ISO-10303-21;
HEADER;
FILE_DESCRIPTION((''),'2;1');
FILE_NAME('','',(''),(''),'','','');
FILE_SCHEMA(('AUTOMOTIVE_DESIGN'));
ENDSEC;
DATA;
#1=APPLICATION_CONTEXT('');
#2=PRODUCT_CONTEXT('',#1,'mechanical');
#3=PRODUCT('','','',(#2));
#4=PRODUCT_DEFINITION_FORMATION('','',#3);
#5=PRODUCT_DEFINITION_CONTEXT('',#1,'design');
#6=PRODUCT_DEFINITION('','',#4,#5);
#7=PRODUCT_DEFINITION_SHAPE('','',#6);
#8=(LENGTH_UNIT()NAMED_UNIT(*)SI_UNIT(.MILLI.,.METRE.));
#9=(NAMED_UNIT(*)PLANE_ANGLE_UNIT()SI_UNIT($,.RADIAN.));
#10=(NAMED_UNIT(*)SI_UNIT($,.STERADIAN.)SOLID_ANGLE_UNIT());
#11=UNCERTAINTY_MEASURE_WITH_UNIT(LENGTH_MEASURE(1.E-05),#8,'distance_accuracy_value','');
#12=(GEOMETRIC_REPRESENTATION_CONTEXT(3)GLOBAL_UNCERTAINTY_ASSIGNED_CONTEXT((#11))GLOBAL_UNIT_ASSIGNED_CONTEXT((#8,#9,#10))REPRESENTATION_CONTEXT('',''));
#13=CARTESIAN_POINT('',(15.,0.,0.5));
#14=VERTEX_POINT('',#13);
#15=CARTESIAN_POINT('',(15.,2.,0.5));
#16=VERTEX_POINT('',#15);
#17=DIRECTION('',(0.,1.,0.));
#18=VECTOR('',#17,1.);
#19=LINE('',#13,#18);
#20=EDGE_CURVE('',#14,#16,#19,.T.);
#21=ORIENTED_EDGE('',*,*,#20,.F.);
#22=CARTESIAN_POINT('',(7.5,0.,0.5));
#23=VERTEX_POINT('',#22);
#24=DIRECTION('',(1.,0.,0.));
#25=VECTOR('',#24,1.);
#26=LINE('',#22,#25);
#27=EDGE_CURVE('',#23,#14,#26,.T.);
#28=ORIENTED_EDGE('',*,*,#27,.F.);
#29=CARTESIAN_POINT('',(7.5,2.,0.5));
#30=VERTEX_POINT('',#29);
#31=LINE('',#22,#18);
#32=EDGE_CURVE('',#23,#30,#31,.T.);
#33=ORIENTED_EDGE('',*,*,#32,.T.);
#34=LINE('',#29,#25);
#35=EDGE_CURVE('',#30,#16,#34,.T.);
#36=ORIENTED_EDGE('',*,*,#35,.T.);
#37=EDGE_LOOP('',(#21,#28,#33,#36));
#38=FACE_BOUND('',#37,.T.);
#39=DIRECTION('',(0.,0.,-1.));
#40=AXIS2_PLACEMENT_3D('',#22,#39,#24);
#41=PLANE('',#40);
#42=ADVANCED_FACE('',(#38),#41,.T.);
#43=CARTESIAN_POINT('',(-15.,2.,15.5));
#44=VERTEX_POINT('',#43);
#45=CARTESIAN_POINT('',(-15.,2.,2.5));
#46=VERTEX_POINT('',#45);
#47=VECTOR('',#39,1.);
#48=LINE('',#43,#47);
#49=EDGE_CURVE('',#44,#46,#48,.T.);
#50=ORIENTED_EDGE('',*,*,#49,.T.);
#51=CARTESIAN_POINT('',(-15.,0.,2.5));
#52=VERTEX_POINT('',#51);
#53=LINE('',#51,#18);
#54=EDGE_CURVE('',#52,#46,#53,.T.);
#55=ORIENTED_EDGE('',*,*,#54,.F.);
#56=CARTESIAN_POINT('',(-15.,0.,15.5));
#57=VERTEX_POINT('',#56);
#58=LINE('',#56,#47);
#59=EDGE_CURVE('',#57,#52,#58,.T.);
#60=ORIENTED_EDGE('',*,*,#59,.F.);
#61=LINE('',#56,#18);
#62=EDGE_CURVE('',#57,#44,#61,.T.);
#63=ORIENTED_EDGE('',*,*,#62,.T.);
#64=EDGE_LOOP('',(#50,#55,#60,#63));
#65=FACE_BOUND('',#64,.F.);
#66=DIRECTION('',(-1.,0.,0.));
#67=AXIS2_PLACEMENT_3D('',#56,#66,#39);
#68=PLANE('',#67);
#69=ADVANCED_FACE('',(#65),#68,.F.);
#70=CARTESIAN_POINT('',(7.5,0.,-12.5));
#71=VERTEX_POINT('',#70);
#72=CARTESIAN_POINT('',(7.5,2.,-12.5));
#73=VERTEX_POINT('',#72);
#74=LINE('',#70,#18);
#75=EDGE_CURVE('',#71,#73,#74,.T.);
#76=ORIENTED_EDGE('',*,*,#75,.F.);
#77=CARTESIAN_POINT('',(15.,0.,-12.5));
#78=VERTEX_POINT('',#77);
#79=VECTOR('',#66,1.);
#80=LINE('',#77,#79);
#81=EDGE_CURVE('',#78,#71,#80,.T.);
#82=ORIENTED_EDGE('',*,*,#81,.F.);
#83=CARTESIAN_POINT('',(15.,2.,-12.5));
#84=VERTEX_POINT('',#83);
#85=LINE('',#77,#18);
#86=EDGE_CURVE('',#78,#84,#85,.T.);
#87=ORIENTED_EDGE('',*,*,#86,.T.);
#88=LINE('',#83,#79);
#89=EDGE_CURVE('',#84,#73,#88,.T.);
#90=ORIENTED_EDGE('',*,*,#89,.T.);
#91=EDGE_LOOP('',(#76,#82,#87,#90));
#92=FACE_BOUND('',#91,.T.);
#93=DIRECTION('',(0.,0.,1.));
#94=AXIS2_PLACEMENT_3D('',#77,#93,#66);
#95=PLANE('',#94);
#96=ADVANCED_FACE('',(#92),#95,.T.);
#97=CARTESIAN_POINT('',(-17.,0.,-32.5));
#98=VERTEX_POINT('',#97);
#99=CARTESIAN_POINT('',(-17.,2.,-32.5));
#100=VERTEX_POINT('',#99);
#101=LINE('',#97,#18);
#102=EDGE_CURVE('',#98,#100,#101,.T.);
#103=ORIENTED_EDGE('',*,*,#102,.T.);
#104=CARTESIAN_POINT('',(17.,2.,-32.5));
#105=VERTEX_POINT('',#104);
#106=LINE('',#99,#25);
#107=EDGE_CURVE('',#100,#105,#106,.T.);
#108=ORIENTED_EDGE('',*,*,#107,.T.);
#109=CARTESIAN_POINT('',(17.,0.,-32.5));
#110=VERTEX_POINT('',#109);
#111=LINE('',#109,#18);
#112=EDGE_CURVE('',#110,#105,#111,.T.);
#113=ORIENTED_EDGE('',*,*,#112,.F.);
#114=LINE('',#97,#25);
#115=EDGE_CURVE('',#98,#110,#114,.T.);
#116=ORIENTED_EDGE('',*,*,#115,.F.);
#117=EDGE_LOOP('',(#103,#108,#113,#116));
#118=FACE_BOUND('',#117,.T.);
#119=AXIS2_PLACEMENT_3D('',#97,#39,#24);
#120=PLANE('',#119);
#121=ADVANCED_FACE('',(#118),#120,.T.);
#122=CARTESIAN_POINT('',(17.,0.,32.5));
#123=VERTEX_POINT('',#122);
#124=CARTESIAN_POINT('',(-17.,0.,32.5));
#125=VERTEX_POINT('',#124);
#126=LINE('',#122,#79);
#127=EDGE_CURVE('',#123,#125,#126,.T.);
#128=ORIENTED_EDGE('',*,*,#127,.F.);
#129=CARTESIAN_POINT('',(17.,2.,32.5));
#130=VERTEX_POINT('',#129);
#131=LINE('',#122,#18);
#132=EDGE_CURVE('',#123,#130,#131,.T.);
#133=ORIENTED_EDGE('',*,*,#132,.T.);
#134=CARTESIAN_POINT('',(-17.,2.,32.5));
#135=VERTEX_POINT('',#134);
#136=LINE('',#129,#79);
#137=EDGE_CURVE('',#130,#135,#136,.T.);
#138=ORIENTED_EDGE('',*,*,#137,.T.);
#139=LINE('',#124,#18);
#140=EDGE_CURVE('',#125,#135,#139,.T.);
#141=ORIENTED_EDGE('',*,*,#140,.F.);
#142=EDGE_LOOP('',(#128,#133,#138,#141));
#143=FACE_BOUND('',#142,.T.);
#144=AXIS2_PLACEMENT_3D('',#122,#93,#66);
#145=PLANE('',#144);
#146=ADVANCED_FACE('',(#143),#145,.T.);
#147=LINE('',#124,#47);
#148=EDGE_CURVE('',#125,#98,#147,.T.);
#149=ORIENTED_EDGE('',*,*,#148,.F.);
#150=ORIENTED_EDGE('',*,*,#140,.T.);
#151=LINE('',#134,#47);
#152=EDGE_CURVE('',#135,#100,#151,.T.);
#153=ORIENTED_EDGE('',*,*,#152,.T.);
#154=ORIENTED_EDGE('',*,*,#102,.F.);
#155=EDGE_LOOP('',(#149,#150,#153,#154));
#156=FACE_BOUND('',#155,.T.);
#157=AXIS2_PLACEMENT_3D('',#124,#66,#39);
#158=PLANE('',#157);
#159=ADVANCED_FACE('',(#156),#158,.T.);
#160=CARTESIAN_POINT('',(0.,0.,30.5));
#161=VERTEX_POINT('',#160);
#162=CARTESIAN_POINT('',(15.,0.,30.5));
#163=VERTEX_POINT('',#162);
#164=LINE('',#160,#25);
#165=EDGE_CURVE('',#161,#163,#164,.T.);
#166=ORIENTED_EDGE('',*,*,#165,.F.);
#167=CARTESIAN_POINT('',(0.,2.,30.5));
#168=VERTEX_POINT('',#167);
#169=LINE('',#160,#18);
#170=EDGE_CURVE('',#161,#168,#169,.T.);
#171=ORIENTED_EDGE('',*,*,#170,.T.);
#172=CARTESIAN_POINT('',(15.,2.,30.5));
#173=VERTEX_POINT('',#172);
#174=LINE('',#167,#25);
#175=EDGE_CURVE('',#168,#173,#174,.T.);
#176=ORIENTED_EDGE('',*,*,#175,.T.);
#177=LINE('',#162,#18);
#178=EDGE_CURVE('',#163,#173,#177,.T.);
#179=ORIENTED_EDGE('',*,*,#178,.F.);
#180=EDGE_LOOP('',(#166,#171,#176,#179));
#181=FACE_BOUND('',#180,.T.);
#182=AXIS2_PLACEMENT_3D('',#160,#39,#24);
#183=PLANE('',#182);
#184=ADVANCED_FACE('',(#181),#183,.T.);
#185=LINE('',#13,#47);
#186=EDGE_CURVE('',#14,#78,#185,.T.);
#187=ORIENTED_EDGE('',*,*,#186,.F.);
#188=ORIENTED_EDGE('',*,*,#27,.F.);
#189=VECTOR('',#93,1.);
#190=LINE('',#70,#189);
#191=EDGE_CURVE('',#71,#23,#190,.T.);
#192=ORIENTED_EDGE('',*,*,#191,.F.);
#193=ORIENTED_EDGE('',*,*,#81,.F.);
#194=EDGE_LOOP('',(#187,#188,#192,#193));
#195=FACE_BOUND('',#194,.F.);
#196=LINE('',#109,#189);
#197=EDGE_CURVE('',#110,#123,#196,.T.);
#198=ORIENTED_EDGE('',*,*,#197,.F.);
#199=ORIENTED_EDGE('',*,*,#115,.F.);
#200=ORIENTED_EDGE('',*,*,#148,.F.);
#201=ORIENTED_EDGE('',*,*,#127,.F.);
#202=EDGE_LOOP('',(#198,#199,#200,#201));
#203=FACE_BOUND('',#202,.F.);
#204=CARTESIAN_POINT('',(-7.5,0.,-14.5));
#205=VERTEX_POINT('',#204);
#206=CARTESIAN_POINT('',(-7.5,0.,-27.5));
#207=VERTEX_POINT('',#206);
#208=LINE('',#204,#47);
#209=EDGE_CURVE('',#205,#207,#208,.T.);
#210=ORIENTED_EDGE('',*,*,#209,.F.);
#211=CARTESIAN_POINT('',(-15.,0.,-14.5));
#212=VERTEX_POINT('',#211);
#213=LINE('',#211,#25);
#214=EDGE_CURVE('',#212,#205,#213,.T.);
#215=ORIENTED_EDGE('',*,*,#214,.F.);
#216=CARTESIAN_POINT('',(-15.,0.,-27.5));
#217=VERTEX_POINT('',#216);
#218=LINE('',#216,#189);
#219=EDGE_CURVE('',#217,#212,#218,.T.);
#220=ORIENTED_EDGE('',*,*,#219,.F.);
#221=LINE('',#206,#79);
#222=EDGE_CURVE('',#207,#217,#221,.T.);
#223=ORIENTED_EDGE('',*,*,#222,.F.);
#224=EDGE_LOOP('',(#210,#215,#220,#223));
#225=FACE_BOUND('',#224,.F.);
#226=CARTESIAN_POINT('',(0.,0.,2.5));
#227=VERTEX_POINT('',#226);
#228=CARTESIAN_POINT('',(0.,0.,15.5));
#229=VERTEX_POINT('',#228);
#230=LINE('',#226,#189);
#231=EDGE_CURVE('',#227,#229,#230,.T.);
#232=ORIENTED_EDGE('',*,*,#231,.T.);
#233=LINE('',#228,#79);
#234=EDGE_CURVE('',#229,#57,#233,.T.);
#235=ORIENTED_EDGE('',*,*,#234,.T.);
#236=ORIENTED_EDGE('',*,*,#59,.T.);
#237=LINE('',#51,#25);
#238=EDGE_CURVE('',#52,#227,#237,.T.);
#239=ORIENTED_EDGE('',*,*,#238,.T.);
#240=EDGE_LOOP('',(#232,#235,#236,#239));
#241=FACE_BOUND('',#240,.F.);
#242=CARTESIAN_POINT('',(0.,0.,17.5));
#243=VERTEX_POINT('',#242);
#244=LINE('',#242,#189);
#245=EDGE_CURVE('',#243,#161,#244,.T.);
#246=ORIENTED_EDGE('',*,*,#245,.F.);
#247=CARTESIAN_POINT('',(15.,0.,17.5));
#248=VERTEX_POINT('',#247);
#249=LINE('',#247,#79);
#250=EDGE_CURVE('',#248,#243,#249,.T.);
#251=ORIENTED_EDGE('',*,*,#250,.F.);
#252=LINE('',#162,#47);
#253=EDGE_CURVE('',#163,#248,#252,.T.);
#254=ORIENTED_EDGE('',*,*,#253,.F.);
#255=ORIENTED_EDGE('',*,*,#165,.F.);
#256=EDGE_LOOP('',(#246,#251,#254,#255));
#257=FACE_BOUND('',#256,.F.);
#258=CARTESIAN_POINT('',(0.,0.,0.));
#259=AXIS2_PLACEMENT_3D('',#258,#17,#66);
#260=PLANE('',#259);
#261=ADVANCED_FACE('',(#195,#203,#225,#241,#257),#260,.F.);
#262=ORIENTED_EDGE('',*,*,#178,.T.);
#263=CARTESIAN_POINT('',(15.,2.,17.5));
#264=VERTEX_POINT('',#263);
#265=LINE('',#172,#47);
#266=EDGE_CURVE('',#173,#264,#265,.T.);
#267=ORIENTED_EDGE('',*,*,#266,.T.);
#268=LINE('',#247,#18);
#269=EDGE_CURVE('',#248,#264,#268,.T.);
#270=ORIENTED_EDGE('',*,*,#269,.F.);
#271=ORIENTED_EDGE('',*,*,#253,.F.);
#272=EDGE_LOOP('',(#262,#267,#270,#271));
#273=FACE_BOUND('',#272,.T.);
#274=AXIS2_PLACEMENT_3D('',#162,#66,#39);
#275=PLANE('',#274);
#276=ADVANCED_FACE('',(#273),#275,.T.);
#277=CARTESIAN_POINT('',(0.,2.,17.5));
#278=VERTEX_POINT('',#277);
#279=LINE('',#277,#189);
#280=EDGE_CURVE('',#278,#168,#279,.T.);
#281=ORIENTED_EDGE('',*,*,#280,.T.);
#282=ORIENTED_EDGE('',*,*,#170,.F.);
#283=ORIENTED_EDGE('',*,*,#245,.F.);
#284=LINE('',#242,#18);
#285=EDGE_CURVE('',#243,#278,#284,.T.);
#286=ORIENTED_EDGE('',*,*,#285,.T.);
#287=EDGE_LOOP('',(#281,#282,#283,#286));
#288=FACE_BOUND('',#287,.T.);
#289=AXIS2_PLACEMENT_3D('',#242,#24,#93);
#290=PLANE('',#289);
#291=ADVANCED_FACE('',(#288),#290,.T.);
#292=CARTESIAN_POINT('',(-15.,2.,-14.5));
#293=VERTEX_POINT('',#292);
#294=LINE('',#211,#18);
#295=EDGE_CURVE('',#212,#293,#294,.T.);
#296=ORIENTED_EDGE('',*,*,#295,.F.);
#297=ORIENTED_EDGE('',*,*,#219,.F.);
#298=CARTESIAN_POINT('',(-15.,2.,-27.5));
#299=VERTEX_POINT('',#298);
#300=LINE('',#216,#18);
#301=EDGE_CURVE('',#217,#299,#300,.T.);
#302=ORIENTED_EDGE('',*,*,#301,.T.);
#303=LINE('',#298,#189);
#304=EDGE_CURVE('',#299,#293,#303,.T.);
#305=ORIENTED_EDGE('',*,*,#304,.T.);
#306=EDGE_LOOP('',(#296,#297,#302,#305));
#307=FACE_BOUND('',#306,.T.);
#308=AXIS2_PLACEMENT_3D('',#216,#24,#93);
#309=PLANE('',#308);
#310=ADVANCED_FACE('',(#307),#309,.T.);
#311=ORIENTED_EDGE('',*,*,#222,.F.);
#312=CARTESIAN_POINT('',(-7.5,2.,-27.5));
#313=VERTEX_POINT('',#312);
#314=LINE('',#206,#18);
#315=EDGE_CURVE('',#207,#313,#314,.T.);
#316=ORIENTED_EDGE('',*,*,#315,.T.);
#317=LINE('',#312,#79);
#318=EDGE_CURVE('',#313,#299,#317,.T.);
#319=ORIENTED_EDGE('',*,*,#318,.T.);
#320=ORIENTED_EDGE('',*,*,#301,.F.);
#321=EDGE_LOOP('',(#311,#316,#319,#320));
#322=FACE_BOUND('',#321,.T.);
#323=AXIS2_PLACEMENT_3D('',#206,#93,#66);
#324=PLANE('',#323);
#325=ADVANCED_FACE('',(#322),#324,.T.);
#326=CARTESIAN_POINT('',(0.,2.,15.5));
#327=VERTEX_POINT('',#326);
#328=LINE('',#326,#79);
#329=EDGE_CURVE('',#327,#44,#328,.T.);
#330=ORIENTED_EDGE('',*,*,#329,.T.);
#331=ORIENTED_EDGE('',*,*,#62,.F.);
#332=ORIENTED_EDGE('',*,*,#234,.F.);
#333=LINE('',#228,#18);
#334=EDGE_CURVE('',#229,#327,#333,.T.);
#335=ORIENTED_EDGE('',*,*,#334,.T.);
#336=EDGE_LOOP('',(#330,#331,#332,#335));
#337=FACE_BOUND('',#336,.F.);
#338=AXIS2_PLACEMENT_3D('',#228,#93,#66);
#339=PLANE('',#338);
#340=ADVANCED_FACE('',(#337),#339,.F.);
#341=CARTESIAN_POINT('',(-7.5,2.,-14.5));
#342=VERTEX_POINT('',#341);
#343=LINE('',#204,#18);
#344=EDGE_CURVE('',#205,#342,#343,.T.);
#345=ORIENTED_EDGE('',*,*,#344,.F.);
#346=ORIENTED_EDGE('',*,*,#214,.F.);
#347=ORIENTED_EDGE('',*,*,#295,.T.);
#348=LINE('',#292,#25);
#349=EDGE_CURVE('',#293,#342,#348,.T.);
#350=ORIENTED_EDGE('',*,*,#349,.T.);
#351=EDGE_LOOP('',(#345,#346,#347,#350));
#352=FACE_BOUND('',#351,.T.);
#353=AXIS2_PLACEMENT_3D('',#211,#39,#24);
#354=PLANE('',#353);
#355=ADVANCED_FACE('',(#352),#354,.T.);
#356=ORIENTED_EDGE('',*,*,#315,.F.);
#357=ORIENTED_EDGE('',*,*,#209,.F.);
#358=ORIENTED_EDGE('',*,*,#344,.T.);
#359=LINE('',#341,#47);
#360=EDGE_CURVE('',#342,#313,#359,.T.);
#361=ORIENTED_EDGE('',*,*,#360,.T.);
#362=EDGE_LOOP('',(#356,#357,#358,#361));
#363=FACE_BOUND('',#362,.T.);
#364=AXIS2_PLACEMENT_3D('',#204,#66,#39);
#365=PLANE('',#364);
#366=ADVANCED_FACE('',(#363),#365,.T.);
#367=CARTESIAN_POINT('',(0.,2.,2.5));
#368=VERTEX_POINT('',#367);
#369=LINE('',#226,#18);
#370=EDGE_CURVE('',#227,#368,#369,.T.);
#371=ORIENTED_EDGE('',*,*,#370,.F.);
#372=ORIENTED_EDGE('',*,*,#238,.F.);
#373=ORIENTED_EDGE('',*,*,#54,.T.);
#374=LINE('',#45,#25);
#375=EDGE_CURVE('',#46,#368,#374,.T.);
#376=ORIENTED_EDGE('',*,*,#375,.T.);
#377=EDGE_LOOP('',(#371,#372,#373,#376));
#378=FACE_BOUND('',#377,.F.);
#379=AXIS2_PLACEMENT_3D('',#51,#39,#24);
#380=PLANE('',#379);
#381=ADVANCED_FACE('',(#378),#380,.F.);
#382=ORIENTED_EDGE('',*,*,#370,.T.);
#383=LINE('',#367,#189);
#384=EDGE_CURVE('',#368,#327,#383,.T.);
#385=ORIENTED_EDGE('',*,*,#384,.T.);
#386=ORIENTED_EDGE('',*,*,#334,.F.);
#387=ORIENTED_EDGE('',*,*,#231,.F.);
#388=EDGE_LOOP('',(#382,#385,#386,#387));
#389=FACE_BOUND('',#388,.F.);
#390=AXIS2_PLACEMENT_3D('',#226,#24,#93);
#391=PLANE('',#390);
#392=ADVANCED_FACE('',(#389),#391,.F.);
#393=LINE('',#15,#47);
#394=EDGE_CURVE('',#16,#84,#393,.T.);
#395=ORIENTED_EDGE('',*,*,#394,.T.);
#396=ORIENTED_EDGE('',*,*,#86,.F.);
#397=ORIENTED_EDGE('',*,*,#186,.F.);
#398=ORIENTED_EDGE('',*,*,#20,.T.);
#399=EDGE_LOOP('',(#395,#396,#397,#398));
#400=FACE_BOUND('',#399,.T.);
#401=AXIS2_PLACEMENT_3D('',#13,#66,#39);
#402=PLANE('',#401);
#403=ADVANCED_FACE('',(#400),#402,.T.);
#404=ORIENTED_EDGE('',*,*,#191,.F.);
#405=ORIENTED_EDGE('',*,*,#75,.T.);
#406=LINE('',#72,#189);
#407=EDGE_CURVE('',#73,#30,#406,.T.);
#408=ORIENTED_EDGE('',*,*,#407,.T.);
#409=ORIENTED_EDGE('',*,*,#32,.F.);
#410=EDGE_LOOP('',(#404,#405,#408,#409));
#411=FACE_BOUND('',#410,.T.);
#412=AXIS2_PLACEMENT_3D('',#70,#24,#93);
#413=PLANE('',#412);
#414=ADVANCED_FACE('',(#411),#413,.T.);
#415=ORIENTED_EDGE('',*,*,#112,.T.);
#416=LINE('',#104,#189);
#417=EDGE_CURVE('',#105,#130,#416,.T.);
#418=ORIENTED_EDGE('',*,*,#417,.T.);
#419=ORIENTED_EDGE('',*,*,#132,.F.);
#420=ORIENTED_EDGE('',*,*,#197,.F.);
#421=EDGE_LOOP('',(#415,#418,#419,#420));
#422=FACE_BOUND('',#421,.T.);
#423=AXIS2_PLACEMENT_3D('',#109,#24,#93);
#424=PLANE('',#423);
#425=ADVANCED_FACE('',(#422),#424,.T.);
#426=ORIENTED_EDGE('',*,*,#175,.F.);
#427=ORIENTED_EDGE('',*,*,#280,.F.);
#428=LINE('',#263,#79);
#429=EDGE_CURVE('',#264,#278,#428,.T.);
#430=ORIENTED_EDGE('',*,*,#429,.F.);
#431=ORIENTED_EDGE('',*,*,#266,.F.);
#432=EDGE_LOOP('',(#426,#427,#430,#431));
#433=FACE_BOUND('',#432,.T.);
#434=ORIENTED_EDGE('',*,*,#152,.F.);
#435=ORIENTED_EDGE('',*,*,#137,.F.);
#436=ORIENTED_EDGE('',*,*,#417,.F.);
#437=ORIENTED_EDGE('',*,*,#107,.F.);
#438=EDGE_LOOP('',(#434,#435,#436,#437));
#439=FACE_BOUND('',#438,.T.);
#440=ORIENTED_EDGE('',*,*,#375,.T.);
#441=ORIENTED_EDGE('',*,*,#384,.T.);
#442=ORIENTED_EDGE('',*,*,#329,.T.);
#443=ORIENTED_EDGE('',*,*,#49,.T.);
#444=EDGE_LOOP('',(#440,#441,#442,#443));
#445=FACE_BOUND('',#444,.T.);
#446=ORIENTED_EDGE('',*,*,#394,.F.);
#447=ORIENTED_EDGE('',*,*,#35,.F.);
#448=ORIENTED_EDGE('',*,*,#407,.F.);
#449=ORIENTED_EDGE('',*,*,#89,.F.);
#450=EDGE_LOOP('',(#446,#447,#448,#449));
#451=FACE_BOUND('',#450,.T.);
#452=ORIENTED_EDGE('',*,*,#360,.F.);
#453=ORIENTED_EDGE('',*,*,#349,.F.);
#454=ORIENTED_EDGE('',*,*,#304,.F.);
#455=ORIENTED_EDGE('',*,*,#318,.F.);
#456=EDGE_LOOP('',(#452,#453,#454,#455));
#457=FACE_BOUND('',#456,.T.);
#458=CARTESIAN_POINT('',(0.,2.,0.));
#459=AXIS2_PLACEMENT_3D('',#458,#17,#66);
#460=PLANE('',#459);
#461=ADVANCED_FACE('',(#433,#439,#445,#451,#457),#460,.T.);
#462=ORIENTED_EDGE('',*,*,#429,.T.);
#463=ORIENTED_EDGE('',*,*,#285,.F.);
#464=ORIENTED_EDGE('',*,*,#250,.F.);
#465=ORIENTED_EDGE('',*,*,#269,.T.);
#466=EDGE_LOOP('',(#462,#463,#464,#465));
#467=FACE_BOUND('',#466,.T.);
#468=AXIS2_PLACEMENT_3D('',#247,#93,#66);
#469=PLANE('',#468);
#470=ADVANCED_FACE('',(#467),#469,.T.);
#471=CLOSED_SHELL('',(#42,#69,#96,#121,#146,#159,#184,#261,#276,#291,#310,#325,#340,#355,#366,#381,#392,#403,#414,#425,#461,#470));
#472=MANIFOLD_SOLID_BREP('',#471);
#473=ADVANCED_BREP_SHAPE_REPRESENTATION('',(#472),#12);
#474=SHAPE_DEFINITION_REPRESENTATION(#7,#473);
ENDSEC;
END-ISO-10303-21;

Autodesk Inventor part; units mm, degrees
ref_plane "YZ Plane" through (0, 0, 0) normal (1, 0, 0) x (0, 1, 0)
ref_plane "XZ Plane" through (0, 0, 0) normal (0, 1, 0) x (-1, 0, 0)
ref_plane "XY Plane" through (0, 0, 0) normal (0, 0, 1) x (1, 0, 0)
sketch "Sketch2" plane through (0, 0, 0) normal (0, 1, 0) x (-1, 0, 0)
  line L0 (-17, 32.5) -> (17, 32.5)
  line L1 (17, 32.5) -> (17, -32.5)
  line L2 (17, -32.5) -> (-17, -32.5)
  line L3 (-17, -32.5) -> (-17, 32.5)
  line L4 (-17, 32.5) -> (17, -32.5) construction
  line L5 (17, 32.5) -> (-17, -32.5) construction
  line L6 (0, 30.5) -> (-15, 30.5)
  line L7 (-15, 30.5) -> (-15, 17.5)
  line L8 (-15, 17.5) -> (0, 17.5)
  line L9 (0, 17.5) -> (0, 30.5)
  line L10 (0, 15.5) -> (15, 15.5)
  line L11 (15, 15.5) -> (15, 2.5)
  line L12 (15, 2.5) -> (0, 2.5)
  line L13 (0, 2.5) -> (0, 15.5)
  line L14 (-7.5, 0.5) -> (-15, 0.5)
  line L15 (-15, 0.5) -> (-15, -12.5)
  line L16 (-15, -12.5) -> (-7.5, -12.5)
  line L17 (-7.5, -12.5) -> (-7.5, 0.5)
  line L18 (15, -14.5) -> (7.5, -14.5)
  line L19 (7.5, -14.5) -> (7.5, -27.5)
  line L20 (7.5, -27.5) -> (15, -27.5)
  line L21 (15, -27.5) -> (15, -14.5)
  point P0 (0, 0)
  dimension "d35" = 34
  dimension "d36" = 65
  dimension "d37" = 15
  dimension "d38" = 13
  dimension "d39" = 15
  dimension "d40" = 13
  dimension "d41" = 2
  dimension "d42" = 2
  dimension "d43" = 0
  dimension "d44" = 2
  dimension "d45" = 7.5
  dimension "d46" = 13
  dimension "d47" = 7.5
  dimension "d48" = 2
  dimension "d49" = 7.5
  dimension "d50" = 13
  dimension "d51" = 2
  dimension "d52" = 2
extrude "Extrusion4" add sketch "Sketch2" along normal blind 2
sketch "Sketch3" plane through (0, 0, 0) normal (0, 1, 0) x (-1, 0, 0)
  circle A0 centre (0, 57.5) radius 97.6 construction
  line L0 (17, 32.5) -> (-17, 32.5) projected
  point P0 (0, 0)
  dimension "d55" = 195.2
  dimension "d56" = 25
properties part number "Molecule Chopper"
